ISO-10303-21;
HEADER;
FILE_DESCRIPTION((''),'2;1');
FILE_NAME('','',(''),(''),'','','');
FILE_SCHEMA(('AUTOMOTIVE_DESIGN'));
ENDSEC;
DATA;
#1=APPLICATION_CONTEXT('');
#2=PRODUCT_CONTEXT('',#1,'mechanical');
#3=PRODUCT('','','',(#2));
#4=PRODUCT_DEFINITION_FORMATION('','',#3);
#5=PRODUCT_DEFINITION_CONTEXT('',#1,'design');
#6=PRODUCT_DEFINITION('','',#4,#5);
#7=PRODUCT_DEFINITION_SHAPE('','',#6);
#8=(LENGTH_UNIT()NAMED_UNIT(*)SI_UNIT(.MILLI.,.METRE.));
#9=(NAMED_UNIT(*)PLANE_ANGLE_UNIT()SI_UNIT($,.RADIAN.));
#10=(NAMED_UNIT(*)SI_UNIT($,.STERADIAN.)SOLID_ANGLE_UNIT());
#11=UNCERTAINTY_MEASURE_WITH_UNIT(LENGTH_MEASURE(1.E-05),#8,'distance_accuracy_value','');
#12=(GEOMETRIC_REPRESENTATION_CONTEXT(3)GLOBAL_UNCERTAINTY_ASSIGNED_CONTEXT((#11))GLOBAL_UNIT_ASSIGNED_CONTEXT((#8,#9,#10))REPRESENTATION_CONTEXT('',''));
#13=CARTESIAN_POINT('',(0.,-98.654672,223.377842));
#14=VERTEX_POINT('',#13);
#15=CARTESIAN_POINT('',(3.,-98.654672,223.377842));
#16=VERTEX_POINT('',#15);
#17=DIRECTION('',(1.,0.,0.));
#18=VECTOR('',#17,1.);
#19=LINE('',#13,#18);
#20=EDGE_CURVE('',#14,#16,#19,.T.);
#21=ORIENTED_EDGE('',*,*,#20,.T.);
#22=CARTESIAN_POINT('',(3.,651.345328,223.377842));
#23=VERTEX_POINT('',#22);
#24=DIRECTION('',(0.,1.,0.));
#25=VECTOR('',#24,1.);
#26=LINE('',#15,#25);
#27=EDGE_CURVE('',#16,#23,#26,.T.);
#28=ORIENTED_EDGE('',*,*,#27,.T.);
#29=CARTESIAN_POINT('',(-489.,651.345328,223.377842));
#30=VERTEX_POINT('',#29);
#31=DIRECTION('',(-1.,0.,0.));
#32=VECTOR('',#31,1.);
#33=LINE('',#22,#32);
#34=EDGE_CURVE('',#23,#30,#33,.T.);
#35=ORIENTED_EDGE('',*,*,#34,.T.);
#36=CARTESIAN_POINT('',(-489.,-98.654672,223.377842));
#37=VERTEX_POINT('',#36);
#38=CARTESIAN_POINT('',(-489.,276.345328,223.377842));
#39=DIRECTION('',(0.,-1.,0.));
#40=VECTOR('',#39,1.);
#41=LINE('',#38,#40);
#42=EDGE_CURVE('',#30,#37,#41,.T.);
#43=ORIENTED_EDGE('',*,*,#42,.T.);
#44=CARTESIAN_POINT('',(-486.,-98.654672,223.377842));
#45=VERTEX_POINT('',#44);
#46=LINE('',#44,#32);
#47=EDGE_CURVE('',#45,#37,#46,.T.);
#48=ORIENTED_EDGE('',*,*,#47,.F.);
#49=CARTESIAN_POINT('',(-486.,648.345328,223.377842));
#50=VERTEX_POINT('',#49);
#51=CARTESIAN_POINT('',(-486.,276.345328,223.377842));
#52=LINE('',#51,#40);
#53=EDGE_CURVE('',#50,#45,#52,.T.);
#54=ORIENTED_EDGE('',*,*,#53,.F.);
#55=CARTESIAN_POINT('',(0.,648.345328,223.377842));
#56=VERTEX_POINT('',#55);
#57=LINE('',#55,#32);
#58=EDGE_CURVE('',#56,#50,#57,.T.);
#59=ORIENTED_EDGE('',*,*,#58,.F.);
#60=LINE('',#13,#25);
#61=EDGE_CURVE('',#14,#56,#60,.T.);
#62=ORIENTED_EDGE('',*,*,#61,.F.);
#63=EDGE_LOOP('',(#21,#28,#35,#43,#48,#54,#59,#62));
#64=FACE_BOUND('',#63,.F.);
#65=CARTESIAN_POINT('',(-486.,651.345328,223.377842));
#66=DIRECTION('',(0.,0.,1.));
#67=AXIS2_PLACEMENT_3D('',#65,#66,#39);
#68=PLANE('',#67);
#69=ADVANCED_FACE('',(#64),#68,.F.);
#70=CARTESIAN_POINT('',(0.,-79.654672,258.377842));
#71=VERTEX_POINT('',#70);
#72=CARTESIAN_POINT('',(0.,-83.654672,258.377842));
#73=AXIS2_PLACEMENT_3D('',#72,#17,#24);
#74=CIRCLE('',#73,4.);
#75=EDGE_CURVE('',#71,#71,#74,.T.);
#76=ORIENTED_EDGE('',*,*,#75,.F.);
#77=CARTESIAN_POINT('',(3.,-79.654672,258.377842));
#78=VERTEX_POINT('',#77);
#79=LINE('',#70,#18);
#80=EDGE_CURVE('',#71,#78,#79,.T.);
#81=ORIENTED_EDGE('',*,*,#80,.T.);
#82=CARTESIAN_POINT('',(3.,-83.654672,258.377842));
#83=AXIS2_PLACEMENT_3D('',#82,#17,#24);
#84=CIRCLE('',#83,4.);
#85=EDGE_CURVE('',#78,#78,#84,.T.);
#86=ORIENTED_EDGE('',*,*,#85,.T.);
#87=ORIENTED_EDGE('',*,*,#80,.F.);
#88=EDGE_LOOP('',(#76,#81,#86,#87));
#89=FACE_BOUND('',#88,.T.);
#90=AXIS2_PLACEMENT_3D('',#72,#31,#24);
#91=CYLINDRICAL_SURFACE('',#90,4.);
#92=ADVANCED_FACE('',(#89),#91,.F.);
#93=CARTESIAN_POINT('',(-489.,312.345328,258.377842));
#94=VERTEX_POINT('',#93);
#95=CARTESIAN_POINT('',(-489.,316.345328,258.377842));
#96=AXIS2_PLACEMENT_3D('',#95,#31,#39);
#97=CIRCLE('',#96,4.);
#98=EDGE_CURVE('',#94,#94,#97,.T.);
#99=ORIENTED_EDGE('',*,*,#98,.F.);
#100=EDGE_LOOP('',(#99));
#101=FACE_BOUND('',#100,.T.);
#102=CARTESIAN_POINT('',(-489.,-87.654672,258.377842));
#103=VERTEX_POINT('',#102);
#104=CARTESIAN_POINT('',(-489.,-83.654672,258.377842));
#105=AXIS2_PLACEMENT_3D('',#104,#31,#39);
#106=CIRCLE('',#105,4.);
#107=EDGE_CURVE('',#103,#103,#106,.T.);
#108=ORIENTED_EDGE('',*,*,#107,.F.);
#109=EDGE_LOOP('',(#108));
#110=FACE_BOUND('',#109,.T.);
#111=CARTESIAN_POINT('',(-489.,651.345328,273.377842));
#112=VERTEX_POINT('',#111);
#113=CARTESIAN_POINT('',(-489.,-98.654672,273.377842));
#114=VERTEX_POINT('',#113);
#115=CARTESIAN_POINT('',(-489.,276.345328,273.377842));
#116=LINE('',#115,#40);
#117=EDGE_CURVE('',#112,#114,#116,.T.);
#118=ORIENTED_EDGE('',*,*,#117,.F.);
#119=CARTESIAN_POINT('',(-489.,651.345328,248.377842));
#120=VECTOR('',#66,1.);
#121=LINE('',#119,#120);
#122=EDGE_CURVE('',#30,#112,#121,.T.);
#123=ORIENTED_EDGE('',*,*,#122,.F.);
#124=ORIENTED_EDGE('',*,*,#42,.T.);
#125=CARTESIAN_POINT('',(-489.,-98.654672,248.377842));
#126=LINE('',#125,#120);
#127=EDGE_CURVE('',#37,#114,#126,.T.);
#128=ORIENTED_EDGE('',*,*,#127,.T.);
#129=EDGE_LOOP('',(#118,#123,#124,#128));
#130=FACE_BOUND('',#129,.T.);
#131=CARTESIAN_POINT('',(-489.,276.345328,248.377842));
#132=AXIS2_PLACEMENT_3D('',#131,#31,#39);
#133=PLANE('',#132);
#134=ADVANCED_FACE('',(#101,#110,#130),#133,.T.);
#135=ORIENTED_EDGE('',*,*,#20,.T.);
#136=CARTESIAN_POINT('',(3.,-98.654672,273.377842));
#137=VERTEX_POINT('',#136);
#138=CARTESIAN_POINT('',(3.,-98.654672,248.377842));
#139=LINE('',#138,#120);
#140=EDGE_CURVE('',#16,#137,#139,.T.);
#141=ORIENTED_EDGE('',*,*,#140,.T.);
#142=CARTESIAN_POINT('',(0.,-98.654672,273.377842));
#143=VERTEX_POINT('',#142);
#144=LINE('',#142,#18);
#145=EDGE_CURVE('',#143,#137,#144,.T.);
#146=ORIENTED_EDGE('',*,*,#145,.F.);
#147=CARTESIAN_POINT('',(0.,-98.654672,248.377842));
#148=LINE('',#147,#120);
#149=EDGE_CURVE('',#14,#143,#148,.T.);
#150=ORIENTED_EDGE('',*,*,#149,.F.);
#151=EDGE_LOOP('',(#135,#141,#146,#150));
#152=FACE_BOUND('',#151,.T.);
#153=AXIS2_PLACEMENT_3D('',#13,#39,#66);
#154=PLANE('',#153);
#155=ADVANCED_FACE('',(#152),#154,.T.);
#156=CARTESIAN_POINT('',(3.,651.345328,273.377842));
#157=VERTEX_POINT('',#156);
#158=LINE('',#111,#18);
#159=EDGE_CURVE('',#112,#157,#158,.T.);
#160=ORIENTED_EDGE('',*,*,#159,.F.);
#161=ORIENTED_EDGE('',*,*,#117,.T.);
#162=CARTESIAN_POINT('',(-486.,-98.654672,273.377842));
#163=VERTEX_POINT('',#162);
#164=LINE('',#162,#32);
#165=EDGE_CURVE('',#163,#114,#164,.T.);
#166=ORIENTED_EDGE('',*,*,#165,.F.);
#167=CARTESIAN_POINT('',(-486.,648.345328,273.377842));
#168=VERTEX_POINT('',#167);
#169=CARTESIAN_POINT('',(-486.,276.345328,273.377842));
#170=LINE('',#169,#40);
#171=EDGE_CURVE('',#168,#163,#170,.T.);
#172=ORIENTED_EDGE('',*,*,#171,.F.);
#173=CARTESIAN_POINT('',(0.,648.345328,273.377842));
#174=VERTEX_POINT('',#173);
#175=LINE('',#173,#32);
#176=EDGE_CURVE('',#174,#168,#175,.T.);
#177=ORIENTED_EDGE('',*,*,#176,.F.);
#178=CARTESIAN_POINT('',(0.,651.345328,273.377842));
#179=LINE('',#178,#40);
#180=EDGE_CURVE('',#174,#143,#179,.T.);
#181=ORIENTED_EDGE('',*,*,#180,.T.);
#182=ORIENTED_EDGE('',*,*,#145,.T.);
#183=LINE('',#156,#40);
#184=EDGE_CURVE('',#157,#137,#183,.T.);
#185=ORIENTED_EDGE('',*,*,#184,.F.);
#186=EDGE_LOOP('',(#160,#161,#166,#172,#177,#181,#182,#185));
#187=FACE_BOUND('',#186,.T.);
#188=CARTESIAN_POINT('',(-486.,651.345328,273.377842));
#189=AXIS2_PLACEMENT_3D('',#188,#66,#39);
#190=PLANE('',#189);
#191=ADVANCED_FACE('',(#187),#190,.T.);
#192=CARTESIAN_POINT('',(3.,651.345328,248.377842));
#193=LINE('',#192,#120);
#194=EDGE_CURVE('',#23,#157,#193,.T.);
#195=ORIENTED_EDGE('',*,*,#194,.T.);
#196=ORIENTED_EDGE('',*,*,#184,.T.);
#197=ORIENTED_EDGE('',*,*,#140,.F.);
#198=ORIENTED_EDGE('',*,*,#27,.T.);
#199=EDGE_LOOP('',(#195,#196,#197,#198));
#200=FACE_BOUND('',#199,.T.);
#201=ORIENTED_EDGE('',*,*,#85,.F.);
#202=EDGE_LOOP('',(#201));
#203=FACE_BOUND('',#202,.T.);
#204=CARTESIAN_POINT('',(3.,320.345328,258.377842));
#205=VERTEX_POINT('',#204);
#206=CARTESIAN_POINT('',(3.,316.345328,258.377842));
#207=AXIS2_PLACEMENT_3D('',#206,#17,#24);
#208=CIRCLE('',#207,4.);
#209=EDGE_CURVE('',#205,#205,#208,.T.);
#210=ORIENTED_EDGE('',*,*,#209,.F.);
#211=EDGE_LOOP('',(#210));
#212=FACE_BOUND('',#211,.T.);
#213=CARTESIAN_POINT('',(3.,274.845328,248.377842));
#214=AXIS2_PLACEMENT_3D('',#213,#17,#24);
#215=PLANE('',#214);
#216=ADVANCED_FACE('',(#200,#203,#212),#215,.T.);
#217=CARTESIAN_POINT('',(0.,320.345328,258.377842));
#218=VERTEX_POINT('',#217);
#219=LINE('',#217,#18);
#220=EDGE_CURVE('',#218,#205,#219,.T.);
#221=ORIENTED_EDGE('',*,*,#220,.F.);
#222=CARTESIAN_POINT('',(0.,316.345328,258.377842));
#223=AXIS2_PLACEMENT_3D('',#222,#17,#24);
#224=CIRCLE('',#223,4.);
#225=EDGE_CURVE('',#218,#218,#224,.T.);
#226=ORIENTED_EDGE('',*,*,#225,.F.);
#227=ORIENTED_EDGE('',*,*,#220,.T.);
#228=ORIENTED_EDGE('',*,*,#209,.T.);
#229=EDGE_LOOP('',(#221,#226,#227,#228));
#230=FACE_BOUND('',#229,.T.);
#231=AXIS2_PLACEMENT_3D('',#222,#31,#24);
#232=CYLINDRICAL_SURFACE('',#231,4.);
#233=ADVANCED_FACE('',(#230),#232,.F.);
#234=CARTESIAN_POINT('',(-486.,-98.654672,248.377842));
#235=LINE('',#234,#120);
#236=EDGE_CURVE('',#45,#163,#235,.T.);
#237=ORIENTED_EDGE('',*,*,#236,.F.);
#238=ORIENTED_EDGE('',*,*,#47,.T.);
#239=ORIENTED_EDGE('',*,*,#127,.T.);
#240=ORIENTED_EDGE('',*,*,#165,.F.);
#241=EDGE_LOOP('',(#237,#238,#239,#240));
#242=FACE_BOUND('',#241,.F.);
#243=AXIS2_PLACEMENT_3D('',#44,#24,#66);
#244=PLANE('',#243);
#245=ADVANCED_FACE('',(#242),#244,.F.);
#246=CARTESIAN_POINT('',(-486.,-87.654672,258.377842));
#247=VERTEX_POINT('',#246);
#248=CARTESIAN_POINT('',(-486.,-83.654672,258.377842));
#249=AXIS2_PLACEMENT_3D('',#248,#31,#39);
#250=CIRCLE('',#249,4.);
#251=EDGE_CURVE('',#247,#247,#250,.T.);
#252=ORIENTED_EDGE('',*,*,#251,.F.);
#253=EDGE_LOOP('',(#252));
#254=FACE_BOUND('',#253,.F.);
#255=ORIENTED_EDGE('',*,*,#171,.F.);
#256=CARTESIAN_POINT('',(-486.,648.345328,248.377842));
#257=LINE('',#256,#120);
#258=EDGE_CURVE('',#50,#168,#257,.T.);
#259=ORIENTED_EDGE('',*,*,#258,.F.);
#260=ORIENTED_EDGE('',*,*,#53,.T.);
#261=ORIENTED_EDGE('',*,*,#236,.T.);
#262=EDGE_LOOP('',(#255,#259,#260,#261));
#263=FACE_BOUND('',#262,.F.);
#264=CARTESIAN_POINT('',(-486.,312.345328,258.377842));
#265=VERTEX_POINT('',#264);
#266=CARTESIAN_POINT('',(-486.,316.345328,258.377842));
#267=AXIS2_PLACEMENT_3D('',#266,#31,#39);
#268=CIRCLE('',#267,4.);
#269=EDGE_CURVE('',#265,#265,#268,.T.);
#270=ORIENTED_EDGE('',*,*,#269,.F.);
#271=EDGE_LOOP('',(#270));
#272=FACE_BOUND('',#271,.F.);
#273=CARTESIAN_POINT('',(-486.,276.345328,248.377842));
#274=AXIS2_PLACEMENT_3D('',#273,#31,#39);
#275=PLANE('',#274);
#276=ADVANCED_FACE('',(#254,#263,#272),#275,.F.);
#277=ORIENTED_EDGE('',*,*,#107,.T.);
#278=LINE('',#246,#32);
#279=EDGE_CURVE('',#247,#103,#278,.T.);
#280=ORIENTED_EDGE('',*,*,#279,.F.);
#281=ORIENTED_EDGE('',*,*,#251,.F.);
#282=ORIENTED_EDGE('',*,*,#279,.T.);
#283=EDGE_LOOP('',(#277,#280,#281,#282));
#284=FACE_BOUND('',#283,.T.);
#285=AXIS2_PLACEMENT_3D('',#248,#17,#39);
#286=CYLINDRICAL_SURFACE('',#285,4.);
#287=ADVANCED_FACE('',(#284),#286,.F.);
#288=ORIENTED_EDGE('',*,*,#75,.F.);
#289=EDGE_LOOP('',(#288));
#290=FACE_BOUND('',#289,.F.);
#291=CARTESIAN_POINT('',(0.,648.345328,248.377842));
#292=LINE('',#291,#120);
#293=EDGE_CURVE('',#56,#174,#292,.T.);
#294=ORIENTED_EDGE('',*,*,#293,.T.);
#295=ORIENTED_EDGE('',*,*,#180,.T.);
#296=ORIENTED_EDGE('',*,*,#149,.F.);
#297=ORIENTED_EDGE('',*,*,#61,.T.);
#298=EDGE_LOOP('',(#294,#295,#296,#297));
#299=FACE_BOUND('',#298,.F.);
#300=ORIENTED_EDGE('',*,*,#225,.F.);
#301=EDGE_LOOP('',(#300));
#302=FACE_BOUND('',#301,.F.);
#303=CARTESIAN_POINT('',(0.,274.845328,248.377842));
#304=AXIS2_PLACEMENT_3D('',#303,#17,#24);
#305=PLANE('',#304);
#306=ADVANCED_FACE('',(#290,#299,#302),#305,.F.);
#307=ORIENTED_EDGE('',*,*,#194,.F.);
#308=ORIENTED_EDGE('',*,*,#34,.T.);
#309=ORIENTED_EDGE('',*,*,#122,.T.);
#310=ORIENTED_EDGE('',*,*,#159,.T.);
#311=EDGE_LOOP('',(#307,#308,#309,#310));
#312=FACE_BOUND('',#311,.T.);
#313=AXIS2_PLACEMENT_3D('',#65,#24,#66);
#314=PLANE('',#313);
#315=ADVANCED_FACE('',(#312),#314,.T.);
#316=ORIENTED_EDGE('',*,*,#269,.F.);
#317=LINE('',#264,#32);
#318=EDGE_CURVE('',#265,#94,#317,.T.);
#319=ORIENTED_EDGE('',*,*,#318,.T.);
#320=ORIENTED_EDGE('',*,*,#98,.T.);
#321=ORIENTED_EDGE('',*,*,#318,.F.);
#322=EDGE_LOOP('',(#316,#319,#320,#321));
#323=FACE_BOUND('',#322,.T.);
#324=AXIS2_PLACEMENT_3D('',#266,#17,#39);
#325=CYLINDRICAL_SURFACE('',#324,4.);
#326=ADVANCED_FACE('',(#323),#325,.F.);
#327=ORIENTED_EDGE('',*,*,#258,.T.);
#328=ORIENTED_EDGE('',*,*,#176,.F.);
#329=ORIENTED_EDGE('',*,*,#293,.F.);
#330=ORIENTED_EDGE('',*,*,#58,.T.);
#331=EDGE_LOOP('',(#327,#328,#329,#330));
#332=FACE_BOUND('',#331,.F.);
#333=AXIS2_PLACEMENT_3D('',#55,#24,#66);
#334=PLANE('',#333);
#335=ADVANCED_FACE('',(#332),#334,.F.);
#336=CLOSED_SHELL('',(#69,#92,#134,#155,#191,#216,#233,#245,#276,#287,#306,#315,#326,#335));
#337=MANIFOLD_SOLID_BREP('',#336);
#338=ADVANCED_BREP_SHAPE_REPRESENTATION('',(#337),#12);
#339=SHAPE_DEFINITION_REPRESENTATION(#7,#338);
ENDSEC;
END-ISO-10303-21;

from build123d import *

# Parameters (mm, degrees)
F0_W     = 747
F0_H     = 50
F0_R     = 4
F0_W_2   = 3
F1_DEPTH = 3
F2_DEPTH = 486
F3_W     = 750
F3_H     = 50
F3_R     = 4
F4_DEPTH = 3


with BuildPart() as f1:
    # F0 (on Right) → F1 (new body)
    with BuildSketch(Plane.YZ):
        with Locations((274.845328, 248.377842)):
            Rectangle(F0_W, F0_H)
        with Locations((-83.654672, 258.377842)):
            Circle(F0_R, mode=Mode.SUBTRACT)
        with Locations((316.345328, 258.377842)):
            Circle(F0_R, mode=Mode.SUBTRACT)
        with Locations((649.845328, 248.377842)):
            Rectangle(F0_W_2, F0_H)
    extrude(amount=F1_DEPTH)

    # F0 (on Right) → F2 (join)
    with BuildSketch(Plane.YZ):
        with Locations((649.845328, 248.377842)):
            Rectangle(F0_W_2, F0_H)
    extrude(amount=-F2_DEPTH)

    # F3 (on face) → F4 (join)
    with BuildSketch(Plane(origin=(-486, 0, 0), x_dir=(0, -1, 0), z_dir=(-1, 0, 0))):
        with Locations((-276.345328, 248.377842)):
            Rectangle(F3_W, F3_H)
        with Locations((-316.345328, 258.377842)):
            Circle(F3_R, mode=Mode.SUBTRACT)
        with Locations((83.654672, 258.377842)):
            Circle(F3_R, mode=Mode.SUBTRACT)
    extrude(amount=F4_DEPTH)


solid = f1.part
